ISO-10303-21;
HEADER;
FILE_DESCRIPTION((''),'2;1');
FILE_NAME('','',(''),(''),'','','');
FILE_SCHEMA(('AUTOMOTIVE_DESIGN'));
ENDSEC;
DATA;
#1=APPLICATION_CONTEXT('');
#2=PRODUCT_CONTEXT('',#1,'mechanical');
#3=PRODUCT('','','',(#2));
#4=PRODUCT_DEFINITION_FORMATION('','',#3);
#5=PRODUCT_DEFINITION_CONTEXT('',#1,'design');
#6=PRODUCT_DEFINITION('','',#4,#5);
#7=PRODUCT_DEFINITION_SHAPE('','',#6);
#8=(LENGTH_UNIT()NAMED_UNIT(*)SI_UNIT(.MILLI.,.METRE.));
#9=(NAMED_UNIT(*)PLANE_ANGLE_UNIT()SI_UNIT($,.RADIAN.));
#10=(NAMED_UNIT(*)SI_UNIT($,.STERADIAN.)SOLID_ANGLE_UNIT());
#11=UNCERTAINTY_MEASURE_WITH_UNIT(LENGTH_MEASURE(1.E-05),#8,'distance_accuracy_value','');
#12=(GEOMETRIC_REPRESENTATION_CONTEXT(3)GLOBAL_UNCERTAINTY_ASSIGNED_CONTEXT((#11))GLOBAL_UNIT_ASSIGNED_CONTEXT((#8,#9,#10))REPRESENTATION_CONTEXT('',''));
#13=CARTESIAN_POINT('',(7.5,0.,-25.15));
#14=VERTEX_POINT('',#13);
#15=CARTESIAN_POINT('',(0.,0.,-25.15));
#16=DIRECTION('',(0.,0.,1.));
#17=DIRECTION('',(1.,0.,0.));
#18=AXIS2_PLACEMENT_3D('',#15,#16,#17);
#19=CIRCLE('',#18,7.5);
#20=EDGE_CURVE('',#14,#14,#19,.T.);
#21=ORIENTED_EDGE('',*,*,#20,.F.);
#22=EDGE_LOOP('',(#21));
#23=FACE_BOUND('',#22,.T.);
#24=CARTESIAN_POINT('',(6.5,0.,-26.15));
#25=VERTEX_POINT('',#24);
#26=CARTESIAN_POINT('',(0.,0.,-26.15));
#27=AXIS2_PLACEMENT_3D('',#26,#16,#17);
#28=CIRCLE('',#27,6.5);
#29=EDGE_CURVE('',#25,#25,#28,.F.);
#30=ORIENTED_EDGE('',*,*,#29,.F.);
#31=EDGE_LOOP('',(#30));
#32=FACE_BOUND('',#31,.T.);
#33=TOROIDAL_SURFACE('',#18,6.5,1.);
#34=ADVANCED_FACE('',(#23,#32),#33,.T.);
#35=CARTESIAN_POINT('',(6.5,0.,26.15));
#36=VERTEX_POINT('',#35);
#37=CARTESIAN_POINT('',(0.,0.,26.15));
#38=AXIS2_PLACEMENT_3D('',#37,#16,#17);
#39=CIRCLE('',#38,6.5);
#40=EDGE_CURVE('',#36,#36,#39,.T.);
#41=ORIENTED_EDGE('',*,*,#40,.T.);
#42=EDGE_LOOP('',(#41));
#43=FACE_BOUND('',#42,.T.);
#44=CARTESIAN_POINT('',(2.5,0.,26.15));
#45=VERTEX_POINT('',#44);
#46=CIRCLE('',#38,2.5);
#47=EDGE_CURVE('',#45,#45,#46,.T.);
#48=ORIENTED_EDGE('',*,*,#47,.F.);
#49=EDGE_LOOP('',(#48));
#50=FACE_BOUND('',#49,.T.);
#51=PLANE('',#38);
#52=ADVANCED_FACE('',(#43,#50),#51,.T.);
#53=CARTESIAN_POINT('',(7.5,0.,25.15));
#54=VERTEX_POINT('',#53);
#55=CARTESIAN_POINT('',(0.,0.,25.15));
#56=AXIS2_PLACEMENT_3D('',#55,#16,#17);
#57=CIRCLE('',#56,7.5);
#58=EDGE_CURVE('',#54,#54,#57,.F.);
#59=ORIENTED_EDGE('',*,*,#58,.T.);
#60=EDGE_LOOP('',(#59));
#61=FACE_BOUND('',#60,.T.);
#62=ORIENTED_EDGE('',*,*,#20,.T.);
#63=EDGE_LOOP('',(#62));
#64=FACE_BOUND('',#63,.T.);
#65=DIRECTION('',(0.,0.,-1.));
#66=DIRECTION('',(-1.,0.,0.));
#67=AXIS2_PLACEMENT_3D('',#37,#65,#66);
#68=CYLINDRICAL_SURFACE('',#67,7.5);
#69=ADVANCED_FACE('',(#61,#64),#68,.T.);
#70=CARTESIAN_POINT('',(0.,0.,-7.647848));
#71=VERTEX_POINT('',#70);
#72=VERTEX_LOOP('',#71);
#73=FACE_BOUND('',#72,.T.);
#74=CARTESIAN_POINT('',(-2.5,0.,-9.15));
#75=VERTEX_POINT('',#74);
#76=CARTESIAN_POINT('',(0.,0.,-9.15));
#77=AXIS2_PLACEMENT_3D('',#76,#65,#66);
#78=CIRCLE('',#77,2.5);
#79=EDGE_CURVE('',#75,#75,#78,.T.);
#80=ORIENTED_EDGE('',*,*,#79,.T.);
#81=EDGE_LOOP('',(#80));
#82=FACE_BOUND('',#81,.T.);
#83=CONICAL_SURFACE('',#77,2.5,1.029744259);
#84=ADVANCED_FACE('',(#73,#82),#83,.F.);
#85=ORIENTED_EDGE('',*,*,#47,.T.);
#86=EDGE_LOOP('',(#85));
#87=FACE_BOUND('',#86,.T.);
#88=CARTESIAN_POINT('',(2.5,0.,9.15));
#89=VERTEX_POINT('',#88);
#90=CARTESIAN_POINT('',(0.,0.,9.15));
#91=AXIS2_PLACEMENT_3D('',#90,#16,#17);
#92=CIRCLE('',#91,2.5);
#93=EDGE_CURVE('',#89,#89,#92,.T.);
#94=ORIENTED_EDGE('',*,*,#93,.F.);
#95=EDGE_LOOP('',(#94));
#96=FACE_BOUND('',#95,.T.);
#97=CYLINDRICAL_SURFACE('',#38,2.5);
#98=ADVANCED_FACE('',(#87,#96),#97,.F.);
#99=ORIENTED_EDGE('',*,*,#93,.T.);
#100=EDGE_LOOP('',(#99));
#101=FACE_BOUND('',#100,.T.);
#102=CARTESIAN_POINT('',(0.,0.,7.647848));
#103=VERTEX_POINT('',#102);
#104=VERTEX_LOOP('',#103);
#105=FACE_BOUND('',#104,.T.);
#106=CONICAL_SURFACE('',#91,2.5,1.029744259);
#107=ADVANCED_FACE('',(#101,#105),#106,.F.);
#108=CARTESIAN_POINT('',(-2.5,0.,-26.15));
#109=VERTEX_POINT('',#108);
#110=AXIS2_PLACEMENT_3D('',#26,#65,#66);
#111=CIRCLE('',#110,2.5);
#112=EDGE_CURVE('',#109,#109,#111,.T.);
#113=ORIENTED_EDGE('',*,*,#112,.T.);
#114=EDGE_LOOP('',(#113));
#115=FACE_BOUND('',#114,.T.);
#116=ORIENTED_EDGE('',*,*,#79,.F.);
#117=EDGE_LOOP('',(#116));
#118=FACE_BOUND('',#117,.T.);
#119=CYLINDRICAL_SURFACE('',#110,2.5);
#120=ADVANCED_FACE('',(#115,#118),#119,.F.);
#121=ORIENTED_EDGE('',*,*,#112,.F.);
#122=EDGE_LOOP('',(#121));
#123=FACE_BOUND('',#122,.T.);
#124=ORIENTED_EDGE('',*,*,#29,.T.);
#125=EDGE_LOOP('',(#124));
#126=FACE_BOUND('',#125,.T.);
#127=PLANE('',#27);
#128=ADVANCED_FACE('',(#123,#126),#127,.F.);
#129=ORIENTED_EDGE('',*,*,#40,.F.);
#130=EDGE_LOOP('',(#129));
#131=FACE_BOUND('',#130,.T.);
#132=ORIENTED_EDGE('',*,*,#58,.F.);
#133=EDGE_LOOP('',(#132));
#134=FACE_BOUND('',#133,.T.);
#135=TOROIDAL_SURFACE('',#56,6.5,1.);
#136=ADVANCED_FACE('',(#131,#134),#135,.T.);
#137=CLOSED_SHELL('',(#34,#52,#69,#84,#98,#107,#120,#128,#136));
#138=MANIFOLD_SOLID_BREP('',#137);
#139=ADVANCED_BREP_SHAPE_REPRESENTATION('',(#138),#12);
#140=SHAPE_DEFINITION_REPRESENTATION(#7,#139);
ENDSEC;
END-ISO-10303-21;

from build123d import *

# Parameters (mm, degrees)
CROQUIS1_R              = 7.5
SALIENTE_EXTRUIR1_DEPTH = 26.15
REDONDEO1_R             = 1


with BuildPart() as part:
    # Croquis1 → Saliente-Extruir1 (new, symmetric)
    with BuildSketch(Plane.XY):
        Circle(CROQUIS1_R)
    extrude(amount=SALIENTE_EXTRUIR1_DEPTH, both=True)

    # Croquis2 → Taladro roscado M61 (revolve, cut)
    with BuildSketch(Plane(origin=(0, 0, 26.15), x_dir=(0, -1, 0), z_dir=(1, 0, 0))):
        Polygon((0, 0), (0, 18.502151548), (2.5, 17), (2.5, 0), align=None)
    taladro_roscado_m61 = revolve(axis=Axis((0, 0, 32.5), (0, 0, -1)), mode=Mode.SUBTRACT)

    # Redondeo1
    redondeo1_edges = [part.edges().sort_by_distance(p)[0] for p in [
        (-7.5, 0, -26.15),
        (-7.5, 0, 26.15),
    ]]
    fillet(redondeo1_edges, radius=REDONDEO1_R)

    # Simetría1: Taladro roscado M61 across plane
    add(taladro_roscado_m61.mirror(Plane.XY), mode=Mode.SUBTRACT)


solid = part.part
